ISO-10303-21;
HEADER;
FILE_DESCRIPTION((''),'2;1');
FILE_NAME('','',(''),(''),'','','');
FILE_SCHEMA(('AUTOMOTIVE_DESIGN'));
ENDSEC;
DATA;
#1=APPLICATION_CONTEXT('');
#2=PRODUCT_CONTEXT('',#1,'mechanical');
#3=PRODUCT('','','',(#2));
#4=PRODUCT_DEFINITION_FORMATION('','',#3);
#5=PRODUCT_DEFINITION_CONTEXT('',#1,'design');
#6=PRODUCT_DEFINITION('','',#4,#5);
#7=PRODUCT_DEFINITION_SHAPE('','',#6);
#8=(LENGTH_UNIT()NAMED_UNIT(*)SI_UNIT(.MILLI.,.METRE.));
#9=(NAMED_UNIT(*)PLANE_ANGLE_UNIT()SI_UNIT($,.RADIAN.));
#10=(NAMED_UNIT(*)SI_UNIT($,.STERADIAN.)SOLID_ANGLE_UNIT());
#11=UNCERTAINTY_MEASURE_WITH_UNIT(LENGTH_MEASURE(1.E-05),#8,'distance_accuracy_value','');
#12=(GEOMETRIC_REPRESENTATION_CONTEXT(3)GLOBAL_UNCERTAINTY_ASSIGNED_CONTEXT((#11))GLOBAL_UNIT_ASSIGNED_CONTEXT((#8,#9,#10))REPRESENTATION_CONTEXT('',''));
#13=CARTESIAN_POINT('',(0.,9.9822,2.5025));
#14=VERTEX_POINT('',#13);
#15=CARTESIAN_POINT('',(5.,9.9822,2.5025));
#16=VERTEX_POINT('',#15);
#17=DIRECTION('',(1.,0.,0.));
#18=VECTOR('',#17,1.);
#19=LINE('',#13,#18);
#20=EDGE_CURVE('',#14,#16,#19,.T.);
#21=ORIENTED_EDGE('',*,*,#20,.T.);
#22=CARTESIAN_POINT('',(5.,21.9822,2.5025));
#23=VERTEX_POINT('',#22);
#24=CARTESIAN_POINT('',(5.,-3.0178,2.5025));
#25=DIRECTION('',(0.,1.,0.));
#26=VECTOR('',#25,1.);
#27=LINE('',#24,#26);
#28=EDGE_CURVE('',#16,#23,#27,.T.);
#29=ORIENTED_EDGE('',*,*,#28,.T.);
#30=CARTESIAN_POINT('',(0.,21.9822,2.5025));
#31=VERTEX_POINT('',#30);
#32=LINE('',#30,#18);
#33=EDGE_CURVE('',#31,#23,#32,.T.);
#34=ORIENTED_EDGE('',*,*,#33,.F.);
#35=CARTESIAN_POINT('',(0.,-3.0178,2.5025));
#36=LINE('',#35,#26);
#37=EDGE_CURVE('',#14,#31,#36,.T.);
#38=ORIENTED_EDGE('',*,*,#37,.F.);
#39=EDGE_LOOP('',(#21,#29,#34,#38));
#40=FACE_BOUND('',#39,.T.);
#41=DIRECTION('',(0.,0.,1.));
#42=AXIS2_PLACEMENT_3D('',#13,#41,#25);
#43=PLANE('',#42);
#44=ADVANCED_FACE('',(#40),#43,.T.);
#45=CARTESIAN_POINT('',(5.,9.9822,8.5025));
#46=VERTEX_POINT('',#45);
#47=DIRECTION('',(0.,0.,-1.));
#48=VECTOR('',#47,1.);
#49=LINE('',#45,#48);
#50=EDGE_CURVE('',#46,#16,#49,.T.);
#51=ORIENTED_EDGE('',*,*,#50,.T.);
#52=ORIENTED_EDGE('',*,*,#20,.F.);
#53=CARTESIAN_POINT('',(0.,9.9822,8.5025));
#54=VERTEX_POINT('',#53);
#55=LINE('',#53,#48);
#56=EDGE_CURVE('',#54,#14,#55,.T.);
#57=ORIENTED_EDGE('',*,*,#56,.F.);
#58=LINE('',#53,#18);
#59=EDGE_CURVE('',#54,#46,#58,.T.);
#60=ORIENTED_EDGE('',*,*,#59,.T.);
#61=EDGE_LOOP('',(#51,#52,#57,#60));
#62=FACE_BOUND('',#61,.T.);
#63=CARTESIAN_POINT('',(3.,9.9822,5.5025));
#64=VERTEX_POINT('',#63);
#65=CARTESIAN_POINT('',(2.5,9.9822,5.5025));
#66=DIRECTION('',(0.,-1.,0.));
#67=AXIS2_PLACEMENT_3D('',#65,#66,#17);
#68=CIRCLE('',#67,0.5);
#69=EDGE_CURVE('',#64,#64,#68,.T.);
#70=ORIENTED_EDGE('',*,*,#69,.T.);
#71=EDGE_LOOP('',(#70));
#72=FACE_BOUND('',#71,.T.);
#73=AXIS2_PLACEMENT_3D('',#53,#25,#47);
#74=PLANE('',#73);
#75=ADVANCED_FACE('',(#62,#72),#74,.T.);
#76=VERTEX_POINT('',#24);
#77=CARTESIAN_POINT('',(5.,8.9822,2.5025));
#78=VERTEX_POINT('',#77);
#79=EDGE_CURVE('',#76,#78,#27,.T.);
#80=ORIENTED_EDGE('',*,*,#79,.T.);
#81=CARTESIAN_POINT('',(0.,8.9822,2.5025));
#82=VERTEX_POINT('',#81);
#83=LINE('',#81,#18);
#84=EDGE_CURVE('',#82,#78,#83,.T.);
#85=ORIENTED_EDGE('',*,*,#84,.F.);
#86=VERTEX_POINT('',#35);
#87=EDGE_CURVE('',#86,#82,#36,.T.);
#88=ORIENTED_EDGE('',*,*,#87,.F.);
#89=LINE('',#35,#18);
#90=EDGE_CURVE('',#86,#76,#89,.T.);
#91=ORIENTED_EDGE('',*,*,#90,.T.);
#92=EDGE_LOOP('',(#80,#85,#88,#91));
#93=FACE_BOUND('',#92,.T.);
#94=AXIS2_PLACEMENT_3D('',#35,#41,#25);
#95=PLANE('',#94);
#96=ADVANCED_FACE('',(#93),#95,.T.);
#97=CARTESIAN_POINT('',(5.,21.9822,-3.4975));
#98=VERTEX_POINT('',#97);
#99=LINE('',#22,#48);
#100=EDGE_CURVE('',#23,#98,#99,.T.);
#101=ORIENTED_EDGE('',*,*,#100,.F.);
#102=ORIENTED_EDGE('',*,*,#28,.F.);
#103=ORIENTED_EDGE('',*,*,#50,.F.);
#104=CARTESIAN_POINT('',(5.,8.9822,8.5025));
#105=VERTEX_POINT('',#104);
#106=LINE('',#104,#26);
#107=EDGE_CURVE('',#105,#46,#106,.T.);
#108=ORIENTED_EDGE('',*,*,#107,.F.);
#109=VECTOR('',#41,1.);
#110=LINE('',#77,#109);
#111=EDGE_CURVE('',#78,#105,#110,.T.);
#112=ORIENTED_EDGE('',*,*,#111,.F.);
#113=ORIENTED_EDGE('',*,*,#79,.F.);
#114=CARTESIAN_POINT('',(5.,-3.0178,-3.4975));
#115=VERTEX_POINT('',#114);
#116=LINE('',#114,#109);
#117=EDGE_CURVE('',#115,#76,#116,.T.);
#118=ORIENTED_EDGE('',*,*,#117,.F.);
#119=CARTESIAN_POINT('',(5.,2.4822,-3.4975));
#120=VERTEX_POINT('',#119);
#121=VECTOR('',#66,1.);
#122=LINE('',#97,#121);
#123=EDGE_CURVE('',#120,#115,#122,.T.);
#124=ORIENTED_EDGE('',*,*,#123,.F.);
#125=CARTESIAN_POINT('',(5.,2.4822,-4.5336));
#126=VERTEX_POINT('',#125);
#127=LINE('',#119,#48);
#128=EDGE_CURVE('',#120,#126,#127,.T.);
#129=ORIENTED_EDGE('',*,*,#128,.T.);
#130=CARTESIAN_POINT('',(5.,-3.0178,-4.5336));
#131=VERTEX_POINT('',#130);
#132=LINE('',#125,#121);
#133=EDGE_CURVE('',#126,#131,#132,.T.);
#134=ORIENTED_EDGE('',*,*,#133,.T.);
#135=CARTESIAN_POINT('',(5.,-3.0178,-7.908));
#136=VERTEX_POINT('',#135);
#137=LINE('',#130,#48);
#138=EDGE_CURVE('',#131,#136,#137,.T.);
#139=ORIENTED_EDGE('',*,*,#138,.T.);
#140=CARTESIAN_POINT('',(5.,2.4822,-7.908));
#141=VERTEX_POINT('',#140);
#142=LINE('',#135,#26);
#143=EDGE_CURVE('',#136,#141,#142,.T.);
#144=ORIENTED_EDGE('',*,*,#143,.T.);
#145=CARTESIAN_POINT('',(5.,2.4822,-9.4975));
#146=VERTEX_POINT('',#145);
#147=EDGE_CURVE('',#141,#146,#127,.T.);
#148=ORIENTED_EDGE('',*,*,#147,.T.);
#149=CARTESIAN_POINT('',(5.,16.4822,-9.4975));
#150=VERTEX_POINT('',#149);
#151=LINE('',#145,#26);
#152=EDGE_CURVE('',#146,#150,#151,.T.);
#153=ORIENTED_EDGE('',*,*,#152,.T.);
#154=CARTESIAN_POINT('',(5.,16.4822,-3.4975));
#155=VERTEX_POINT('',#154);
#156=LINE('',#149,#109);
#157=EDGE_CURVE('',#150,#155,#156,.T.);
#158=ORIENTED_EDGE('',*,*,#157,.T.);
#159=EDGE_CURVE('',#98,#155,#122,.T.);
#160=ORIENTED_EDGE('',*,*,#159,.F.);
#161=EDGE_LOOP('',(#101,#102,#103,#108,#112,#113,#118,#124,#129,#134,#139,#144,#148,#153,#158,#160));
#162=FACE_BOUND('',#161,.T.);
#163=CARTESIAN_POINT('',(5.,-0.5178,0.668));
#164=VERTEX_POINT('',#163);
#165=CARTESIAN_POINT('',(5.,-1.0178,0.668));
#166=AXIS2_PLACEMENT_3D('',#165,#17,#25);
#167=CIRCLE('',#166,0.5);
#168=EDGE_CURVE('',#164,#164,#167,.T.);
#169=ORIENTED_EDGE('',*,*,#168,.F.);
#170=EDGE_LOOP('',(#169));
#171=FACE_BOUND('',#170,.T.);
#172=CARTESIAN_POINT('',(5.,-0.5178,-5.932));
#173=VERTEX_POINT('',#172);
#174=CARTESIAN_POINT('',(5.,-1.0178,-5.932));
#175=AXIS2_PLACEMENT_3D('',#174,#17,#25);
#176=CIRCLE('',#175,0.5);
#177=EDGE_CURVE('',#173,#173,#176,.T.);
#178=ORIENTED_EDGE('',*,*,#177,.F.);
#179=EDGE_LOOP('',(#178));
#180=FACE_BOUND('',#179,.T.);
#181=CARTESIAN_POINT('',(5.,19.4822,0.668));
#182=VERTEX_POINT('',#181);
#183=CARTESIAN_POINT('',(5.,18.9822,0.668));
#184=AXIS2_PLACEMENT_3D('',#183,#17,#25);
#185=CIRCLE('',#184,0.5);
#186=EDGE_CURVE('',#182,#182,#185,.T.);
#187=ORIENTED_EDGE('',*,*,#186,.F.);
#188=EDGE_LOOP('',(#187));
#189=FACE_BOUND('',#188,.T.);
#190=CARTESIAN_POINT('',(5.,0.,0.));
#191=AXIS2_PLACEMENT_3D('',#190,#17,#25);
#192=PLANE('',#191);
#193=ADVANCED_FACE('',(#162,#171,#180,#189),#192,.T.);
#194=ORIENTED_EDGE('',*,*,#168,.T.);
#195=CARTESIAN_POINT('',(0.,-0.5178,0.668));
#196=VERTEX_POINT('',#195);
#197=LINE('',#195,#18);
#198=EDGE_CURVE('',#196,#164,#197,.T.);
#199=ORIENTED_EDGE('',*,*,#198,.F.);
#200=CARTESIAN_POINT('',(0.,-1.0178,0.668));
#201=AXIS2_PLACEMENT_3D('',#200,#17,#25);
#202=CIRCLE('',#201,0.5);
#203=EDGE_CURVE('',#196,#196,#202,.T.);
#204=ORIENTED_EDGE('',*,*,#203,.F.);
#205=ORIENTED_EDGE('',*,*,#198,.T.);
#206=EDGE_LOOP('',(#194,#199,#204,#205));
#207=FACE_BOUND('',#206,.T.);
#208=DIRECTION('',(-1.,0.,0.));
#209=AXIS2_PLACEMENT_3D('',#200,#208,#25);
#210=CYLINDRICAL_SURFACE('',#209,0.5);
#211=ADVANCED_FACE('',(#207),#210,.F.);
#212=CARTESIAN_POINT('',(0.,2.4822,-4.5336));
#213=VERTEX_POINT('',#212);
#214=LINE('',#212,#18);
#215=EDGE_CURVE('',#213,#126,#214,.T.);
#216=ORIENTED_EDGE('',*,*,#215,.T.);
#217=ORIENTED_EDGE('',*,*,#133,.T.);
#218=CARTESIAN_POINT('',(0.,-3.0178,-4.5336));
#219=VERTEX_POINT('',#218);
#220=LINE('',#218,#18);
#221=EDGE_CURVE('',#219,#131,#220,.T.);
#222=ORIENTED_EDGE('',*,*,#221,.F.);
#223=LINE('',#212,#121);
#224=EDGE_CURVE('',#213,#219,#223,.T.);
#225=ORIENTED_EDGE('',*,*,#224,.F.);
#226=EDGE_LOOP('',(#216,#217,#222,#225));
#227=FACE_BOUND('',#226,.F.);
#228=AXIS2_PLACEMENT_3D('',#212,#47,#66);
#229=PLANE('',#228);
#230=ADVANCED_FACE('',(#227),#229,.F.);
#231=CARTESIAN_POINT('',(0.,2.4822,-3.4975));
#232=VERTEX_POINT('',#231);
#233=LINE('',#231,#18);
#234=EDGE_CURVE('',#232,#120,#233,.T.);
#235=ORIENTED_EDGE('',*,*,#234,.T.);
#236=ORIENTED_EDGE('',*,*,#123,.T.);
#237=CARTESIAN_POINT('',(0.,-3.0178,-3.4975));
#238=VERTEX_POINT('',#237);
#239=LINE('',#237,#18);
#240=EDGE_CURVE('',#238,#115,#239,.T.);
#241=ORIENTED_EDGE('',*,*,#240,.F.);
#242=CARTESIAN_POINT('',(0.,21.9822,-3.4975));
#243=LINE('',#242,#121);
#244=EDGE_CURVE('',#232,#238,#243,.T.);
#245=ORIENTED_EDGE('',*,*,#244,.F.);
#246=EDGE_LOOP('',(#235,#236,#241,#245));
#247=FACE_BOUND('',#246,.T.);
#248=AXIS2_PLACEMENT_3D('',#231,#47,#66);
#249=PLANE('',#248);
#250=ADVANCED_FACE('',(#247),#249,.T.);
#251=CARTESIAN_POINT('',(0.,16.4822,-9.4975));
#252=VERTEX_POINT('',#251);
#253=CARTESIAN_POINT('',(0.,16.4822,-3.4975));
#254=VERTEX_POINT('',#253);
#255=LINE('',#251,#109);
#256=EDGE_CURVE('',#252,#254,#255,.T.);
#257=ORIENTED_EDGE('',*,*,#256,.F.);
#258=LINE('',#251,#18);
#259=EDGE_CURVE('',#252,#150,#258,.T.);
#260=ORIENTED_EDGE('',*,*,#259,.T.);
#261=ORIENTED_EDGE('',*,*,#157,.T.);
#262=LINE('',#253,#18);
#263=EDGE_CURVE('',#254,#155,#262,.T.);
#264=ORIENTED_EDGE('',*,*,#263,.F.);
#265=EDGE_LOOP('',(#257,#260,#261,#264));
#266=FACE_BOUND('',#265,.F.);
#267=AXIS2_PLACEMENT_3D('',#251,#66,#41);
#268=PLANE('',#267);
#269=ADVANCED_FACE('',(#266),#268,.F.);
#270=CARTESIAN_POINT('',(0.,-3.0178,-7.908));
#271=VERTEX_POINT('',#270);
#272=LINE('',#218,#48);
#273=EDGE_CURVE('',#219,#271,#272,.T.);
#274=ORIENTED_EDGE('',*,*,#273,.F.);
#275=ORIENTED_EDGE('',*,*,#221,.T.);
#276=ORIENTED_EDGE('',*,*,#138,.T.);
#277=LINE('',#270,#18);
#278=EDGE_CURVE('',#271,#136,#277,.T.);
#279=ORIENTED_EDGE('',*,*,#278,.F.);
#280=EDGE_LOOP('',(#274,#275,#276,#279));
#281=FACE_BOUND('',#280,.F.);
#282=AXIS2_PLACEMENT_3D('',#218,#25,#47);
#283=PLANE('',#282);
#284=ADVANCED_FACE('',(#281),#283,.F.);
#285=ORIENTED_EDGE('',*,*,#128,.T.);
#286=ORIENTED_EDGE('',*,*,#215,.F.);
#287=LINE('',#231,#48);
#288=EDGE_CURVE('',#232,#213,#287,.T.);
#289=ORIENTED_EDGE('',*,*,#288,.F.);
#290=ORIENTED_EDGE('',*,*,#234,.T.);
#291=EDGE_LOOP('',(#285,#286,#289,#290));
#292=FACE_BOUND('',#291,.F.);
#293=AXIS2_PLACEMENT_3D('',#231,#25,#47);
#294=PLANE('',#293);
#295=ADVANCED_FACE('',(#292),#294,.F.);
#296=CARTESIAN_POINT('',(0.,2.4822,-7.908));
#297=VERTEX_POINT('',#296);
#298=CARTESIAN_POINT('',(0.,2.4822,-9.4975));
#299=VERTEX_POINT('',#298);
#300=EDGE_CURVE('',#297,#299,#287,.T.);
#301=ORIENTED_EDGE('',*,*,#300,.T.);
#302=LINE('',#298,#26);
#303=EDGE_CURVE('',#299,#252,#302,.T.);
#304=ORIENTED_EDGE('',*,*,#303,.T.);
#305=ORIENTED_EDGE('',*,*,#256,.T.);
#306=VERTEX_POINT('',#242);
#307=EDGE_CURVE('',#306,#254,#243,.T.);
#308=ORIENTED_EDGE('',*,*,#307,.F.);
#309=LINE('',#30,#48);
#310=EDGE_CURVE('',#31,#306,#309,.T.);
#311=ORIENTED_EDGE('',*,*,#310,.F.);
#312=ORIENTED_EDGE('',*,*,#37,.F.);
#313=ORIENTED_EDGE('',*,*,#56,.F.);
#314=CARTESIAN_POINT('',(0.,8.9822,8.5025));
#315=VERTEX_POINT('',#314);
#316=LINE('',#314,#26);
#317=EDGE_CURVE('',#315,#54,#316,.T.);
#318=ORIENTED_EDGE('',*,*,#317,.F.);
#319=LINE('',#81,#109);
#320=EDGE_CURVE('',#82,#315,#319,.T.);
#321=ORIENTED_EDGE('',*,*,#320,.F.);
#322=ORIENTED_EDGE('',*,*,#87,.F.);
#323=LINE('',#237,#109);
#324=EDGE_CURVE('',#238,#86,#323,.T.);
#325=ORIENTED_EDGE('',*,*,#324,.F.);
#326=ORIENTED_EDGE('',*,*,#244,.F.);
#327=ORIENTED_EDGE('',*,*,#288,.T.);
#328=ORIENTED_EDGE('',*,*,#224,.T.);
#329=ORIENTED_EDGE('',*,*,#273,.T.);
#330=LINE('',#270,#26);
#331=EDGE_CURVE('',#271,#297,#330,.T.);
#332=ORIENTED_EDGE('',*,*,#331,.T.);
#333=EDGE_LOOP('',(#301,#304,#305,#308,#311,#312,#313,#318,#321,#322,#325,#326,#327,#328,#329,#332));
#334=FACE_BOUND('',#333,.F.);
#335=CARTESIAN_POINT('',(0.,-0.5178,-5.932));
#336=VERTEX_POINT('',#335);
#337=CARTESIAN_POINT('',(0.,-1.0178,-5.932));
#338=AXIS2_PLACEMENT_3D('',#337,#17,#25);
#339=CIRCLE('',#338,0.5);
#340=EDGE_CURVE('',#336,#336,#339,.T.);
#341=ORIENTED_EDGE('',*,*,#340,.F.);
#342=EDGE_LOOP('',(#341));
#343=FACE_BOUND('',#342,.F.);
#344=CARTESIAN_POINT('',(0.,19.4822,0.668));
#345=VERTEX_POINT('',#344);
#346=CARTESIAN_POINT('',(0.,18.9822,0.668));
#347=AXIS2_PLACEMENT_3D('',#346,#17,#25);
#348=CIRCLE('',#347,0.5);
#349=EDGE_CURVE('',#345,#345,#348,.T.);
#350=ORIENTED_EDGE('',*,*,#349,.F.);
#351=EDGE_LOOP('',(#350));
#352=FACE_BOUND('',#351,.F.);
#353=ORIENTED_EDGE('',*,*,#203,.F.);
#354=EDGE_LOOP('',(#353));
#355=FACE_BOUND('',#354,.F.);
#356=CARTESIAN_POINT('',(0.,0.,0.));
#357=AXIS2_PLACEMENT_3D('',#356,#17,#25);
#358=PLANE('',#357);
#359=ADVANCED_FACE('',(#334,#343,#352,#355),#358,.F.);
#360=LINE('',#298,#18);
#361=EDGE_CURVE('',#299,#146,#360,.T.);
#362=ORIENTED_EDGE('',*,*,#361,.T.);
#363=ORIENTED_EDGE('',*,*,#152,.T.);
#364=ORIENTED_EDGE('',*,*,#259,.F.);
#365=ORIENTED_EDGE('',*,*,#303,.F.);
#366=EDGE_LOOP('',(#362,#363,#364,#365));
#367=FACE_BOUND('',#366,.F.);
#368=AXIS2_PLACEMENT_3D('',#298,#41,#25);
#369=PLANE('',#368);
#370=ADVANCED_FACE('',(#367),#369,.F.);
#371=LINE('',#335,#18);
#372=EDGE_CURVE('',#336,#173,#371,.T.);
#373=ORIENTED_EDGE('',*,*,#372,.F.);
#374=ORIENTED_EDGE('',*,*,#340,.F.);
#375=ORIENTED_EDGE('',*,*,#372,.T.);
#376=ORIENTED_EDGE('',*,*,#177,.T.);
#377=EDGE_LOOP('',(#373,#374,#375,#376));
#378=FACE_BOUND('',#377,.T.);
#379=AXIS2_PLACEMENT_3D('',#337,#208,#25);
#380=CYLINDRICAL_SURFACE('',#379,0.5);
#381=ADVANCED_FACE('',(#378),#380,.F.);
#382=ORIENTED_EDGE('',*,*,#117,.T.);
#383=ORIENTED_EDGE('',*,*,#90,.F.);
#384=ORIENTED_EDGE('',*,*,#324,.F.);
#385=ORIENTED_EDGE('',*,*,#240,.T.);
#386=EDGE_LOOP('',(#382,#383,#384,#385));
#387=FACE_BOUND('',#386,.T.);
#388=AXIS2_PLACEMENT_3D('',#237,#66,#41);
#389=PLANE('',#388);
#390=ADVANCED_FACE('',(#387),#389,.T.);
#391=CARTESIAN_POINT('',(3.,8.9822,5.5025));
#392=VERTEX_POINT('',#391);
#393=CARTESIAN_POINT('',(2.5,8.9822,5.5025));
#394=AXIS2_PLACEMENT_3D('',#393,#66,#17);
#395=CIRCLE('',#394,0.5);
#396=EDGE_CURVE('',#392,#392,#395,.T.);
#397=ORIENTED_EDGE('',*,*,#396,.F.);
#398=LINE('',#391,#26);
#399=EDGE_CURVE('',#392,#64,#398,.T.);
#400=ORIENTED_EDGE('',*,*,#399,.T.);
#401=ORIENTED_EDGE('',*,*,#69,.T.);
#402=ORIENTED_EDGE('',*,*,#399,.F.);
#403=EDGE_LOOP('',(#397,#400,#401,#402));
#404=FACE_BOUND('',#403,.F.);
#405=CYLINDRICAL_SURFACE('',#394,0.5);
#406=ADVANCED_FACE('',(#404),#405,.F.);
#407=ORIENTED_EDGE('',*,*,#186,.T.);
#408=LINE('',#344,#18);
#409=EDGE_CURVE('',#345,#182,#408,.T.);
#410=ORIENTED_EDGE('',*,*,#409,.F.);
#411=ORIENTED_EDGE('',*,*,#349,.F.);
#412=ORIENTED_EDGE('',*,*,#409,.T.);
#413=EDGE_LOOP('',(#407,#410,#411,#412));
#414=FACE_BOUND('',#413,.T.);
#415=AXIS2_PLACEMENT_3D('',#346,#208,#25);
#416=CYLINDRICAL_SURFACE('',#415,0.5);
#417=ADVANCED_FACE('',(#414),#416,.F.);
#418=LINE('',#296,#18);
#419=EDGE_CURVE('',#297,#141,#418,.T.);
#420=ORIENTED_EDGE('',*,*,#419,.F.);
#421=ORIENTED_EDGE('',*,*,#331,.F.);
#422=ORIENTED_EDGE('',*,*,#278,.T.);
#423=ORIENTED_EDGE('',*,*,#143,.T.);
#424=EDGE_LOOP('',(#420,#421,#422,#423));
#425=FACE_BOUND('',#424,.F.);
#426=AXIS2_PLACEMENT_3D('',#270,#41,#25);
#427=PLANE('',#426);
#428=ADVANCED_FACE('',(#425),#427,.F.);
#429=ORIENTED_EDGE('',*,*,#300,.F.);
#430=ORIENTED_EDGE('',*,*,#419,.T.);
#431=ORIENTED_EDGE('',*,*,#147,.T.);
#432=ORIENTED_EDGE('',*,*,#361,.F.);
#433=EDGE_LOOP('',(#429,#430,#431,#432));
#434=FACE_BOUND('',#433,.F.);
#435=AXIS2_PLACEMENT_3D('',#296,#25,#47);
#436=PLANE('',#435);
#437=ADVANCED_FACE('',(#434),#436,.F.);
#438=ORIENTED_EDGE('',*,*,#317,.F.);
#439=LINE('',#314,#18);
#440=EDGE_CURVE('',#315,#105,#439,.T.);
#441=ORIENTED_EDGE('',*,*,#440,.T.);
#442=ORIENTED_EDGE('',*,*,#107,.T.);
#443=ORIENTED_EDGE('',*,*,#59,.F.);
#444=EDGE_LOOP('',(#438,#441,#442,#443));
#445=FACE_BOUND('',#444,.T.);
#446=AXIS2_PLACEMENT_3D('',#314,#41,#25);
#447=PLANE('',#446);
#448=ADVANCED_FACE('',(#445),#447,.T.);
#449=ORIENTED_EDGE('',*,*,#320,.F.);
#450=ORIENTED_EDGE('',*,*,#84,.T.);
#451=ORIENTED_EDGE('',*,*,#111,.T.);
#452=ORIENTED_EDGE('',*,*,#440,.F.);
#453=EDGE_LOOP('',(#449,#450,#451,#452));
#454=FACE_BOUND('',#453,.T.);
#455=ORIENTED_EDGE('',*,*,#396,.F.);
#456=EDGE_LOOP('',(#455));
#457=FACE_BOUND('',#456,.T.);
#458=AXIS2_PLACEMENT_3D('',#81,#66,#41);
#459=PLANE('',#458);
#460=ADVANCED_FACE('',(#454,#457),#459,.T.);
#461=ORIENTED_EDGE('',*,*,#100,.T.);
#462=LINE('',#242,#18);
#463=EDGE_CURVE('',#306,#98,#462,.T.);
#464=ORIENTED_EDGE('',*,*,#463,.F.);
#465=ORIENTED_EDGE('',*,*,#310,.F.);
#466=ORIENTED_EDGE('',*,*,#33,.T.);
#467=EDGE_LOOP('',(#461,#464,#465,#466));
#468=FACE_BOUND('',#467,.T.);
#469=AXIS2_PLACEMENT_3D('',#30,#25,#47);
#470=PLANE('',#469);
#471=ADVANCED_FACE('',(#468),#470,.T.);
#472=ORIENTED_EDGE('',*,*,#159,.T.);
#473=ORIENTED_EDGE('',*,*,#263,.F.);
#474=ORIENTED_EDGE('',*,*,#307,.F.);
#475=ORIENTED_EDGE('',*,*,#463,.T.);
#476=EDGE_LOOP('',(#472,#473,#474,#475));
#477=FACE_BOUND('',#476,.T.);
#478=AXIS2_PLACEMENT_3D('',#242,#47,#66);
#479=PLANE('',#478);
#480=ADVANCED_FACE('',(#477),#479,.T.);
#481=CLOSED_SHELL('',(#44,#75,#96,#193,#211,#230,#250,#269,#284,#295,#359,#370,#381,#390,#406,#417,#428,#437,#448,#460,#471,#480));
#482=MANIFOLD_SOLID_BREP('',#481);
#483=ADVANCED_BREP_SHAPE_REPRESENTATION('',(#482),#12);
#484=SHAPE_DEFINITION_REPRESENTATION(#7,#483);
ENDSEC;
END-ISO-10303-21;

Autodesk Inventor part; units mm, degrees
ref_plane "YZ Plane" through (0, 0, 0) normal (1, 0, 0) x (0, 1, 0)
ref_plane "XZ Plane" through (0, 0, 0) normal (0, 1, 0) x (-1, 0, 0)
ref_plane "XY Plane" through (0, 0, 0) normal (0, 0, 1) x (1, 0, 0)
sketch "Sketch1" plane through (0, 0, 0) normal (1, 0, 0) x (0, 1, 0)
  line L0 (-3.0178, 2.5025) -> (21.9822, 2.5025)
  line L1 (21.9822, 2.5025) -> (21.9822, -3.4975)
  line L2 (21.9822, -3.4975) -> (-3.0178, -3.4975)
  line L3 (-3.0178, -3.4975) -> (-3.0178, 2.5025)
  circle A0 centre (-1.0178, 0.668) radius 0.5
  circle A1 centre (18.9822, 0.668) radius 0.5
  line L4 (16.4822, -3.4975) -> (2.4822, -3.4975)
  line L5 (2.4822, -3.4975) -> (2.4822, -9.4975)
  line L6 (2.4822, -9.4975) -> (16.4822, -9.4975)
  line L7 (9.9822, 2.5025) -> (8.9822, 2.5025)
  line L8 (8.9822, 2.5025) -> (8.9822, 8.5025)
  line L9 (8.9822, 8.5025) -> (9.9822, 8.5025)
  line L10 (9.9822, 8.5025) -> (9.9822, 2.5025)
  line L11 (16.4822, -9.4975) -> (16.4822, -3.4975)
  circle A2 centre (-1.0178, -5.932) radius 0.5
  line L12 (2.4822, -4.5336) -> (-3.0178, -4.5336)
  line L13 (-3.0178, -4.5336) -> (-3.0178, -7.908)
  line L14 (-3.0178, -7.908) -> (2.4822, -7.908)
  line L15 (2.4822, -7.908) -> (2.4822, -4.5336)
  point P0 (0, 0)
  dimension "d0" = 25
  dimension "d1" = 6
  dimension "d2" = 1
  dimension "d3" = 1
  dimension "d4" = 20
  dimension "d5" = 14
  dimension "d6" = 6
  dimension "d8" = 1
  dimension "d9" = 6
  dimension "d10" = 10
  dimension "d13" = 2
  dimension "d18" = 3
  dimension "d19" = 5.5
  dimension "d20" = 1
  dimension "d21" = 6.6
extrude "Extrusion1" add sketch "Sketch1" along normal blind 5
sketch "Sketch2" plane through (0, 8.9822, 2.5025) normal (0, -1, 0) x (1, 0, 0)
  line L0 (0, 6) -> (0, 0) projected
  line L1 (0, 0) -> (5, 0) projected
  line L2 (5, 6) -> (5, 0) projected
  line L3 (0, 6) -> (5, 6) projected
  circle A0 centre (2.5, 3) radius 0.5
  point P0 (0, -2.5025)
  dimension "d14" = 1
extrude "Extrusion2" cut sketch "Sketch2" against normal blind 5 contours A0
properties part number "00_Microlinearmotor"
